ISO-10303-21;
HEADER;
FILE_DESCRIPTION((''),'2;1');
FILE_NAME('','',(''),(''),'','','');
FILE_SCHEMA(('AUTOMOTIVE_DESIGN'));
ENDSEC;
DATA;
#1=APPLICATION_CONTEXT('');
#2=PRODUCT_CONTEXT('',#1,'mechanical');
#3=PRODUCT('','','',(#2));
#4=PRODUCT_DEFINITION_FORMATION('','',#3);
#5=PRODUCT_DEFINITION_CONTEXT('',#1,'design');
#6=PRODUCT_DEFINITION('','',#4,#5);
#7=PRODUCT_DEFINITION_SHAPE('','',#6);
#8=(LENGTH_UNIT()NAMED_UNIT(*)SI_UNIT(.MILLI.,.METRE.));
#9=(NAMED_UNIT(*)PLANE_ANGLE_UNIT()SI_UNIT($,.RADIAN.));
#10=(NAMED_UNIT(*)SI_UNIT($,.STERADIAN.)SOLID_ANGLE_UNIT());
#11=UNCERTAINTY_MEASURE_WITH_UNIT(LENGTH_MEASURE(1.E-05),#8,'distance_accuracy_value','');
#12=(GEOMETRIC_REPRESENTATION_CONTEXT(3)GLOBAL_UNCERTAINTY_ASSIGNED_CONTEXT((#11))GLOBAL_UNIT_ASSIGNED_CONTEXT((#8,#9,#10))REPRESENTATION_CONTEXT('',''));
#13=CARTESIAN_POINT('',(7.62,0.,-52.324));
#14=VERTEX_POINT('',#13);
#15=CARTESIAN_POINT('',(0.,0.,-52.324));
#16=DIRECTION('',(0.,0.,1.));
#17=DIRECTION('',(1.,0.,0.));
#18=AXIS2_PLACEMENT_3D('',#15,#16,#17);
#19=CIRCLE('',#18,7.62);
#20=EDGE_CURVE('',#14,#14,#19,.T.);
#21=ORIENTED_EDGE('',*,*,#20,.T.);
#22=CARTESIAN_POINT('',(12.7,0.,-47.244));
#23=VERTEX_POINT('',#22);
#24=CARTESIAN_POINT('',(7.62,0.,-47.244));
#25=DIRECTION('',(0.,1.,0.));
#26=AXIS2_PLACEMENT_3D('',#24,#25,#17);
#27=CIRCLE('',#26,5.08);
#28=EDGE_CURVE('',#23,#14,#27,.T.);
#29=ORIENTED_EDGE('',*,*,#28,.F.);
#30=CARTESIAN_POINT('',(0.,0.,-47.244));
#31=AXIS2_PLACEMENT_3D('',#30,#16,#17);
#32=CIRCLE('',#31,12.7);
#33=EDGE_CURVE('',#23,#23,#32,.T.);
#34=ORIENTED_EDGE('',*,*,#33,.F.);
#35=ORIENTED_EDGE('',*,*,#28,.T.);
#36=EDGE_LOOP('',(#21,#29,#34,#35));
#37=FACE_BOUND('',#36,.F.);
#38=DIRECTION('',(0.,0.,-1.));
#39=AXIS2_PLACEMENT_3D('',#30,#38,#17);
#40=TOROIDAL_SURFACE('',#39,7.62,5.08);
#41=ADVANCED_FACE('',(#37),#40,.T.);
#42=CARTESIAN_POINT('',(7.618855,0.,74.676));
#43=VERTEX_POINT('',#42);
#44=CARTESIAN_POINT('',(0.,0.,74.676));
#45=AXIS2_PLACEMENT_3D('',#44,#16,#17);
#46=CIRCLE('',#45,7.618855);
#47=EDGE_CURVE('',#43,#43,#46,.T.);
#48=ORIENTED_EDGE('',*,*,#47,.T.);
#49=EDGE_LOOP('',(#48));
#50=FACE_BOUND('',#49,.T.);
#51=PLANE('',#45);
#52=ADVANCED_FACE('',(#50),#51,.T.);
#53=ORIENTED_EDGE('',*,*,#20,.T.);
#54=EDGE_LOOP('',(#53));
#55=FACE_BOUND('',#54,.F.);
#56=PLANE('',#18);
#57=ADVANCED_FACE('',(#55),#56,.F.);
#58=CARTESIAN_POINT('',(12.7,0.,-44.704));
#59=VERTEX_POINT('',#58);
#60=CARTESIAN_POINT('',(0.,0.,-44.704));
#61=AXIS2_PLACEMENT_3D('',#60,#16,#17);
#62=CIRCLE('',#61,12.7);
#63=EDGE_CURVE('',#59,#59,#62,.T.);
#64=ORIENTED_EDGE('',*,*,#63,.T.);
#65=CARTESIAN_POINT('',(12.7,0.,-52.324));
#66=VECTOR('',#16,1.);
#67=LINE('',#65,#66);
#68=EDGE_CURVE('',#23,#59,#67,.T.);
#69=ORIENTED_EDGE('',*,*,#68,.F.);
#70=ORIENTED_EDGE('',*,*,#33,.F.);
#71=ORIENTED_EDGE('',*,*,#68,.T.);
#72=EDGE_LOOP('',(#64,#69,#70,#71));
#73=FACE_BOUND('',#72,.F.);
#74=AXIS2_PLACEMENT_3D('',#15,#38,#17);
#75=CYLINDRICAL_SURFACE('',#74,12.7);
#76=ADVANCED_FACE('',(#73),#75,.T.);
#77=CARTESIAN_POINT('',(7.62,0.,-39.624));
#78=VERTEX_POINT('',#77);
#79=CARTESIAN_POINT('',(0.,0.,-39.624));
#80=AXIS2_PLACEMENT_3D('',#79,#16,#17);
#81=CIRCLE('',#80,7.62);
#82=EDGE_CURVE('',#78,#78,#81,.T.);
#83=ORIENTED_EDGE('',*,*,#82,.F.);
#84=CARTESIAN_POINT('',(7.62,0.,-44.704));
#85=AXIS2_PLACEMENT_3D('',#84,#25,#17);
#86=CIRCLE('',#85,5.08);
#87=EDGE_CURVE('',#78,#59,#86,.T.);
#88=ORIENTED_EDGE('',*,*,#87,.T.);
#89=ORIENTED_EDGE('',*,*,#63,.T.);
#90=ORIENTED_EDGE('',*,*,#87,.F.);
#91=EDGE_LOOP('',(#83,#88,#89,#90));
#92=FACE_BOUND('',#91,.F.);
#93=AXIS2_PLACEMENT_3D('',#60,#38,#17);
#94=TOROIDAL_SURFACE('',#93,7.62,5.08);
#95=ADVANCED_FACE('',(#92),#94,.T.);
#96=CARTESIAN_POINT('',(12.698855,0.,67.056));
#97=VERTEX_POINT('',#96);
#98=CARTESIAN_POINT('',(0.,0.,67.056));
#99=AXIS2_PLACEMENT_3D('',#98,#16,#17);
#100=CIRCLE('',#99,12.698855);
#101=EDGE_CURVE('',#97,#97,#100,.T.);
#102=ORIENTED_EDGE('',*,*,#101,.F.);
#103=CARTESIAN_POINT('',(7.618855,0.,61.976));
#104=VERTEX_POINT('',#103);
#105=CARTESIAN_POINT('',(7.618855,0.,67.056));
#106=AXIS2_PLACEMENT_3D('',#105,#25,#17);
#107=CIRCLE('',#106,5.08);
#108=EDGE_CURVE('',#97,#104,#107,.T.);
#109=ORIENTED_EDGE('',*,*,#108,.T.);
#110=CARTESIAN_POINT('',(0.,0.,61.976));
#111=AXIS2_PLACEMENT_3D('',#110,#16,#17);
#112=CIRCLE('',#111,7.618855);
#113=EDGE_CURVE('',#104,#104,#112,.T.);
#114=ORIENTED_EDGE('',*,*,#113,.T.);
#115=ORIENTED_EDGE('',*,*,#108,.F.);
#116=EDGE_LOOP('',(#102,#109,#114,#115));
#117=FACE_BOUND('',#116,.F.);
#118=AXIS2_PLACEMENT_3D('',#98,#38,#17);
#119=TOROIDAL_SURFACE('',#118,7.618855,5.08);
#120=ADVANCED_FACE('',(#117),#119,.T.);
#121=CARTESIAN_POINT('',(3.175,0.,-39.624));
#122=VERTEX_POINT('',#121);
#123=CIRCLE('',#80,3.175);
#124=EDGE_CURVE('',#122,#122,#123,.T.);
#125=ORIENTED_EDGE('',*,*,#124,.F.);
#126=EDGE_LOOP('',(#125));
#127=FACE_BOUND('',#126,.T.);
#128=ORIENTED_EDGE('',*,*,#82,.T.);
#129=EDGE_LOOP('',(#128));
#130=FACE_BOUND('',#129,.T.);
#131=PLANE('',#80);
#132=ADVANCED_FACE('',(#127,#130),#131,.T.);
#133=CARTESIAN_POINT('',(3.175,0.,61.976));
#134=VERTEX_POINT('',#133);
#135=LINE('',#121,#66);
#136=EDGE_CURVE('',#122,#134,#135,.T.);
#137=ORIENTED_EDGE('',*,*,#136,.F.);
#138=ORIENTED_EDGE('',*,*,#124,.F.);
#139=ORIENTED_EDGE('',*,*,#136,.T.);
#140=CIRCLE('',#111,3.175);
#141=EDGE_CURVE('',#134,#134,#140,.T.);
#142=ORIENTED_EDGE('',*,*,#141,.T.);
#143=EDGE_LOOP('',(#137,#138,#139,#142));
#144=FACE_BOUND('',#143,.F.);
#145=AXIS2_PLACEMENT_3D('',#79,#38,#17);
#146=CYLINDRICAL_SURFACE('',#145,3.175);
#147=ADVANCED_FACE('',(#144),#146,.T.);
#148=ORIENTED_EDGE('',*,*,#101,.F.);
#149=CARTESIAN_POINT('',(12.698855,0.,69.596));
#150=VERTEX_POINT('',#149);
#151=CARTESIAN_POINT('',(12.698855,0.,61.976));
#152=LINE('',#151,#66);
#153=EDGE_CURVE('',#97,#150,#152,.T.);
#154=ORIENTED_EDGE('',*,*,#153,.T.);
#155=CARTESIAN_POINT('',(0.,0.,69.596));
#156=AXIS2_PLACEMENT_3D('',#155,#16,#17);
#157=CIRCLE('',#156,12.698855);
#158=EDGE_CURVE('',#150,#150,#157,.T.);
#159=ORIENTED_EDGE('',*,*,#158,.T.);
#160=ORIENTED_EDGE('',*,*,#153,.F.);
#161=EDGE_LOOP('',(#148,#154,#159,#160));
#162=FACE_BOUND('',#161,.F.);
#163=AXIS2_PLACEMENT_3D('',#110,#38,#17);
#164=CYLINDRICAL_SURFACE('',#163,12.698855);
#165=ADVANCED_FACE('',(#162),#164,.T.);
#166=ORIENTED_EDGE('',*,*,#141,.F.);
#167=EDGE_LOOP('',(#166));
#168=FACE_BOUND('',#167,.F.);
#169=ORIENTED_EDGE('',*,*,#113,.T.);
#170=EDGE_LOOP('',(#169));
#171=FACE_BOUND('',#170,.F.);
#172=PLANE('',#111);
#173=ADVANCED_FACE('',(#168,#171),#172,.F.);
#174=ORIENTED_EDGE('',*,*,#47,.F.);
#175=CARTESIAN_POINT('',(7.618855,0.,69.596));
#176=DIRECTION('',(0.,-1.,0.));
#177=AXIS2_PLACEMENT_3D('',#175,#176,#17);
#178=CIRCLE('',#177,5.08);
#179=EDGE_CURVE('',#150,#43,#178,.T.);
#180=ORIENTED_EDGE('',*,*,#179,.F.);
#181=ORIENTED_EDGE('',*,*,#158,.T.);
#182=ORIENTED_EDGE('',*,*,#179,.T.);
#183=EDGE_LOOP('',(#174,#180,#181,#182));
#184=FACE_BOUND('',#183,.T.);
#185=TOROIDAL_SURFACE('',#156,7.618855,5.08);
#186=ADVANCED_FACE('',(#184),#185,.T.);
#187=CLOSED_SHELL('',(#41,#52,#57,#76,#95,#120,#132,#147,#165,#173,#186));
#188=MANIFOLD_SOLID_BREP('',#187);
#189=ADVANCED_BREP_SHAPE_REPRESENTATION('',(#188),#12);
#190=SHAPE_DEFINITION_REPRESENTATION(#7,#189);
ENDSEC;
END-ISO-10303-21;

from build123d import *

# Parameters (mm, degrees)
F0_R     = 12.7
F1_DEPTH = 12.7
F2_R     = 3.175
F3_DEPTH = 101.6
F4_R     = 12.6988546774
F5_DEPTH = 12.7
F6_R     = 5.08


with BuildPart() as f1:
    # F0 (on Top) → F1 (new body)
    with BuildSketch(Plane.XY):
        Circle(F0_R)
    extrude(amount=F1_DEPTH)

    # F2 (on face) → F3 (join)
    with BuildSketch(Plane.XY.offset(12.7)):
        Circle(F2_R)
    extrude(amount=F3_DEPTH)

    # F4 (on face) → F5 (join)
    with BuildSketch(Plane.XY.offset(114.3)):
        Circle(F4_R)
    extrude(amount=F5_DEPTH)

    # F6
    f6_edges = [f1.edges().sort_by_distance(p)[0] for p in [
        (-12.7, 0, 12.7),
        (-12.7, 0, 0),
        (-12.698855, 0, 127),
        (-12.698855, 0, 114.3),
    ]]
    fillet(f6_edges, radius=F6_R)


with BuildPart() as f1_1:
    # F7: moved
    add(f1.part.moved(Location((0, 0, -52.324))))


solid = f1_1.part
